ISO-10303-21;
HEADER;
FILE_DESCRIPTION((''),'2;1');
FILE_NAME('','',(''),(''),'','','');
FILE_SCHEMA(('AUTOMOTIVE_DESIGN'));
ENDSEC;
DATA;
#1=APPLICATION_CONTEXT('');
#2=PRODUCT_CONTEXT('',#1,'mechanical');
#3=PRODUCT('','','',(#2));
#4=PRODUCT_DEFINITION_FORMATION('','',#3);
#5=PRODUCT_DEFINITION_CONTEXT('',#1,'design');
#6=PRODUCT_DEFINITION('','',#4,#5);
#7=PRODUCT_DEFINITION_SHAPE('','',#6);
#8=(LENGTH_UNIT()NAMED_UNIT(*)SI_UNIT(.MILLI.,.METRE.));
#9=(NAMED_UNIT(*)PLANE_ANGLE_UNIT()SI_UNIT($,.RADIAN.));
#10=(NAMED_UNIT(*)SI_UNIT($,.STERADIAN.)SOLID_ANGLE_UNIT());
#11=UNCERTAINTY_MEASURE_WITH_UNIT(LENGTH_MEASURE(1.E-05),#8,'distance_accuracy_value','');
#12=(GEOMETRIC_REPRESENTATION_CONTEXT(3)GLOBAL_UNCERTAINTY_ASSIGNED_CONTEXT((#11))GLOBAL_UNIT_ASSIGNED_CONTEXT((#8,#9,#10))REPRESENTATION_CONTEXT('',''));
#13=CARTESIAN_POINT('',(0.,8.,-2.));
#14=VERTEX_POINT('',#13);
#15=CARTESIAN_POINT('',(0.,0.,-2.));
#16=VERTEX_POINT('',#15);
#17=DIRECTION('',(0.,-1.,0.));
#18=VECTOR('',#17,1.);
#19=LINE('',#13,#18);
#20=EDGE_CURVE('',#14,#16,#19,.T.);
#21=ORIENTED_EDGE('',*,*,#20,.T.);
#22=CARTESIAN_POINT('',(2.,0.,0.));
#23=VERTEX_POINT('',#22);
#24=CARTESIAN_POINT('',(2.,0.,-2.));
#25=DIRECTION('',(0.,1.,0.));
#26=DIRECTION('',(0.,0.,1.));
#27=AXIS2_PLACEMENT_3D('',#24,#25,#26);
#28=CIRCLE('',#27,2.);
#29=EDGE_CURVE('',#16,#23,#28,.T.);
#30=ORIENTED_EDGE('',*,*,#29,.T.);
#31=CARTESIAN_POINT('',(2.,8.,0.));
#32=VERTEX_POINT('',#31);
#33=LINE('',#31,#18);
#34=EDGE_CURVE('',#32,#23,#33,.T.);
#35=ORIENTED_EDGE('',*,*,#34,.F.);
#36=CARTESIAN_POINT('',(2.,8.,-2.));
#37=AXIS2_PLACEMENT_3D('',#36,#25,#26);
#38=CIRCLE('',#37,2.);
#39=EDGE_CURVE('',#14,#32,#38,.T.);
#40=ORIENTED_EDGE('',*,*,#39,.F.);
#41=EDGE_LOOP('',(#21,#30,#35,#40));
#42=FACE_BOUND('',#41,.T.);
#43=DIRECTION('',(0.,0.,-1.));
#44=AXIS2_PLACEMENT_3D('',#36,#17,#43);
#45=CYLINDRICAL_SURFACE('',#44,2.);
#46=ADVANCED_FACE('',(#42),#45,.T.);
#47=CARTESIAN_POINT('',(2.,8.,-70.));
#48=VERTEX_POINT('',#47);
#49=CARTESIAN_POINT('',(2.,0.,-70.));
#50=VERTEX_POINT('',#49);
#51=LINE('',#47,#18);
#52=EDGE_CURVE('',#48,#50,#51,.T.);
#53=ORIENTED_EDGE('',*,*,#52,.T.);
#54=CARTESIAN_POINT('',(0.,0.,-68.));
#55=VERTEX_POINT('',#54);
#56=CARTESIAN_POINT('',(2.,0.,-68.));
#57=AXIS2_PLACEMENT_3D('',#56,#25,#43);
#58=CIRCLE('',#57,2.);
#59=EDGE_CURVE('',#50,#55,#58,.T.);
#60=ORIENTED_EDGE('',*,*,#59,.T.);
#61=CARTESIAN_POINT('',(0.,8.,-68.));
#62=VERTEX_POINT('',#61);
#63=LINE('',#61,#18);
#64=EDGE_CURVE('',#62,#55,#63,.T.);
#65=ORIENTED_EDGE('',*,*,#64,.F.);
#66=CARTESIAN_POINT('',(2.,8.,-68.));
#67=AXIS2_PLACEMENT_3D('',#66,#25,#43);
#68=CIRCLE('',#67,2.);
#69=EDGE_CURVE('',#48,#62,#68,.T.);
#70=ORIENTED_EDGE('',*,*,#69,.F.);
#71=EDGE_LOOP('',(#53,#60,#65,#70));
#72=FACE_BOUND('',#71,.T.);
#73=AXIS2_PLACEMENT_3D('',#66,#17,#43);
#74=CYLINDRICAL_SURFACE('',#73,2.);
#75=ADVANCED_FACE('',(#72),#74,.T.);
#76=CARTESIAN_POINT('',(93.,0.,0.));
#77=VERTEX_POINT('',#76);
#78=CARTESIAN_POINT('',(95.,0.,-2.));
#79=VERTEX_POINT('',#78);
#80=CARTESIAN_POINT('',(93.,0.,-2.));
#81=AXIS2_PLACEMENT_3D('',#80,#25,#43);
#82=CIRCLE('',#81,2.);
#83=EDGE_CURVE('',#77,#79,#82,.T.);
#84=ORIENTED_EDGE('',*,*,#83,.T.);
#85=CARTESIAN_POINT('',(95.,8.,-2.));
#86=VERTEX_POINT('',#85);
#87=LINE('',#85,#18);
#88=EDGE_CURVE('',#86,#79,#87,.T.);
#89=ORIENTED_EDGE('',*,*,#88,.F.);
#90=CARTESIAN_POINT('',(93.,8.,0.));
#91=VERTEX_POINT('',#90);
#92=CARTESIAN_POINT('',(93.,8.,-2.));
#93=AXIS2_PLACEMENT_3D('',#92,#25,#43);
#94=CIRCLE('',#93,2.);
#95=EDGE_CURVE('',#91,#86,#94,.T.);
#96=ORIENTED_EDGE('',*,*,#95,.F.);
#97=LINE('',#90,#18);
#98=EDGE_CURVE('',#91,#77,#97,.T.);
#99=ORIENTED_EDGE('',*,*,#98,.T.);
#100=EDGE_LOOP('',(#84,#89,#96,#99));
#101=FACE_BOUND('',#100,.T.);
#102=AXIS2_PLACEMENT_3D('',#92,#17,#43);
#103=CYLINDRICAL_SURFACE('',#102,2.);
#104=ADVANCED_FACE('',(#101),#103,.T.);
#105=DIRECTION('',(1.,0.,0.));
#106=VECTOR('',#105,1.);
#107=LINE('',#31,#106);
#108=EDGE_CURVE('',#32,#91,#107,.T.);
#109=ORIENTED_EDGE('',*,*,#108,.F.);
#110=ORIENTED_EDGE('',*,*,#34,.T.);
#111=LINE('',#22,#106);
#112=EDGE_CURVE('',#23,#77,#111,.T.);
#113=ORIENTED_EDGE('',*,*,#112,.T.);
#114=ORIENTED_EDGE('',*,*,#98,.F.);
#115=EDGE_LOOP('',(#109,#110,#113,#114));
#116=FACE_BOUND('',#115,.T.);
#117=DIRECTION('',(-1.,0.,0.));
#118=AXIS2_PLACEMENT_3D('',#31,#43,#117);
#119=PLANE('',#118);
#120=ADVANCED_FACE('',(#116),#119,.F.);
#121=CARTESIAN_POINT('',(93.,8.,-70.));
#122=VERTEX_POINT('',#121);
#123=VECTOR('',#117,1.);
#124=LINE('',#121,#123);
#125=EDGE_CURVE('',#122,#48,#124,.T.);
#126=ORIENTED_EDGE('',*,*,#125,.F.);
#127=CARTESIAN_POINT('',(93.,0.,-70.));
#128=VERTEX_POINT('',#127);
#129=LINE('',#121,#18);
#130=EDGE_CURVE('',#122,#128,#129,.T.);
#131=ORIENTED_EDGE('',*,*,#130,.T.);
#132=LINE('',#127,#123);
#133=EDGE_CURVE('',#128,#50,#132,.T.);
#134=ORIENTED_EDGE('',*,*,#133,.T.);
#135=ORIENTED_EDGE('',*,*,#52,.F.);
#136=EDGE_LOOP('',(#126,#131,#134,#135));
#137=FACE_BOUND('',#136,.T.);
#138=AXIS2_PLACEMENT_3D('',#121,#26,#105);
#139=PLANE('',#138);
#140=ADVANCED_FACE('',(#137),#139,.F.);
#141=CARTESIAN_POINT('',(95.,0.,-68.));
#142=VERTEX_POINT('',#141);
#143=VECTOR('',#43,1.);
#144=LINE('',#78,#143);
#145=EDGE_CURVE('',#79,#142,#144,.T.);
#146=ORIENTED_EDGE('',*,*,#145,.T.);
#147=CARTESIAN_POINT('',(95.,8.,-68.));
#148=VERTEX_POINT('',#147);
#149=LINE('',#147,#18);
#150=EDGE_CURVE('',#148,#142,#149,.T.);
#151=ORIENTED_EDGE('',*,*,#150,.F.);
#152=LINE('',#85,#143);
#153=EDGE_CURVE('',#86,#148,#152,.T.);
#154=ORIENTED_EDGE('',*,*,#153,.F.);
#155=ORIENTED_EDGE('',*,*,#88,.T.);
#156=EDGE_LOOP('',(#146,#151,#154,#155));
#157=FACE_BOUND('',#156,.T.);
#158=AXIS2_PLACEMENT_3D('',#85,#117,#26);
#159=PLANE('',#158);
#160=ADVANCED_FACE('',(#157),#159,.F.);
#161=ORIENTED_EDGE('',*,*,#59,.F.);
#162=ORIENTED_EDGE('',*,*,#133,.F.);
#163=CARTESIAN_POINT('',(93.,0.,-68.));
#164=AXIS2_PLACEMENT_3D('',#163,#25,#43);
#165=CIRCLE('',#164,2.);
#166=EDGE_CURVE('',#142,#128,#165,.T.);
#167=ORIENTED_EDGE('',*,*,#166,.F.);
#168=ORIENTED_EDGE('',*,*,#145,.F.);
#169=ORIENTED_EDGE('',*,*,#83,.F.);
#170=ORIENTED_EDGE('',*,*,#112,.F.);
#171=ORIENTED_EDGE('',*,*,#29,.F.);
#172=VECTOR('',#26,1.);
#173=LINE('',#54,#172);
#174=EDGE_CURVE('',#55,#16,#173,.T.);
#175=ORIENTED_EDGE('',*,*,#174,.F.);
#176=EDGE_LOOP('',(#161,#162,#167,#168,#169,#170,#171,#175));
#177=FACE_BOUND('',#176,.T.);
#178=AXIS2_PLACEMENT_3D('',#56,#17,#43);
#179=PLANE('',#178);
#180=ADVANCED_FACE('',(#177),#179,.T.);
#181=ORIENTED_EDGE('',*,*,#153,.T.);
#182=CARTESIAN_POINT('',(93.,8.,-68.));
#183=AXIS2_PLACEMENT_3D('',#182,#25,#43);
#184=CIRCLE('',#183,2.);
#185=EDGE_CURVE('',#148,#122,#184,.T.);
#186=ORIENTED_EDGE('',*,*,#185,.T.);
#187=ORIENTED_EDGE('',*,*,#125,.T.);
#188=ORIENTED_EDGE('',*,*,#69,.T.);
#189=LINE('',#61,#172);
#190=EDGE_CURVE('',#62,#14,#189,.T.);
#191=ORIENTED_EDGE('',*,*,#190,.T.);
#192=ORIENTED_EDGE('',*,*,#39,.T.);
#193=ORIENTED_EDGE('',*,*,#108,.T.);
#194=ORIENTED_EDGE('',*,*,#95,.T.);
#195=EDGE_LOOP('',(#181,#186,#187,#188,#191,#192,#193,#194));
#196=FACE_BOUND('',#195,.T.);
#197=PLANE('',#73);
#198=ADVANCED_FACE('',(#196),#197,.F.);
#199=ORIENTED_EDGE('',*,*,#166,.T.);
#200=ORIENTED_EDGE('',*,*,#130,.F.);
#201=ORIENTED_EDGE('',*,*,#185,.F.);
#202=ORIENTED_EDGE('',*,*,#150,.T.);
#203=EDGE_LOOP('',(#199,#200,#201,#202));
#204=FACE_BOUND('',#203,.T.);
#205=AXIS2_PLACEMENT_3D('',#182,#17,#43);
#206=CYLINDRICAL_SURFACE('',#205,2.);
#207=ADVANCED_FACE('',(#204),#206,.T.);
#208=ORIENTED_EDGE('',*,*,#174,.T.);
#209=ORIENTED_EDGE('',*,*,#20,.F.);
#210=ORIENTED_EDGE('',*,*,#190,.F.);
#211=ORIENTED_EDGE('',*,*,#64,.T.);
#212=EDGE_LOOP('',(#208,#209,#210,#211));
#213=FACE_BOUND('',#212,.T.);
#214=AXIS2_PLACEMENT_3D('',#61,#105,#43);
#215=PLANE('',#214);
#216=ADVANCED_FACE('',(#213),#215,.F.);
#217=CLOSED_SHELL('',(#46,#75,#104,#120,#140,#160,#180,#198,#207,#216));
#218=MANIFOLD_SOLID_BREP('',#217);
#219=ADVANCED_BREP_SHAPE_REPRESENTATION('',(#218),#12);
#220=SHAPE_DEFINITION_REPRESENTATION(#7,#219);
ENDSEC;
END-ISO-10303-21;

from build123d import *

# Parameters (mm, degrees)
EXTRUDE_1_DEPTH = 8


with BuildPart() as part:
    # 草圖1 → 填料-伸長1 (new body)
    with BuildSketch(Plane(origin=(0, 0, 0), x_dir=(1, 0, 0), z_dir=(0, 1, 0))):
        with BuildLine():
            Line((2, 0), (93, 0))
            ThreePointArc((93, 0), (94.414213562, 0.585786438), (95, 2))
            Line((95, 2), (95, 68))
            ThreePointArc((95, 68), (94.414213562, 69.414213562), (93, 70))
            Line((93, 70), (2, 70))
            ThreePointArc((2, 70), (0.585786438, 69.414213562), (0, 68))
            Line((0, 68), (0, 2))
            ThreePointArc((0, 2), (0.585786438, 0.585786438), (2, 0))
        make_face()
    extrude(amount=EXTRUDE_1_DEPTH)


solid = part.part
